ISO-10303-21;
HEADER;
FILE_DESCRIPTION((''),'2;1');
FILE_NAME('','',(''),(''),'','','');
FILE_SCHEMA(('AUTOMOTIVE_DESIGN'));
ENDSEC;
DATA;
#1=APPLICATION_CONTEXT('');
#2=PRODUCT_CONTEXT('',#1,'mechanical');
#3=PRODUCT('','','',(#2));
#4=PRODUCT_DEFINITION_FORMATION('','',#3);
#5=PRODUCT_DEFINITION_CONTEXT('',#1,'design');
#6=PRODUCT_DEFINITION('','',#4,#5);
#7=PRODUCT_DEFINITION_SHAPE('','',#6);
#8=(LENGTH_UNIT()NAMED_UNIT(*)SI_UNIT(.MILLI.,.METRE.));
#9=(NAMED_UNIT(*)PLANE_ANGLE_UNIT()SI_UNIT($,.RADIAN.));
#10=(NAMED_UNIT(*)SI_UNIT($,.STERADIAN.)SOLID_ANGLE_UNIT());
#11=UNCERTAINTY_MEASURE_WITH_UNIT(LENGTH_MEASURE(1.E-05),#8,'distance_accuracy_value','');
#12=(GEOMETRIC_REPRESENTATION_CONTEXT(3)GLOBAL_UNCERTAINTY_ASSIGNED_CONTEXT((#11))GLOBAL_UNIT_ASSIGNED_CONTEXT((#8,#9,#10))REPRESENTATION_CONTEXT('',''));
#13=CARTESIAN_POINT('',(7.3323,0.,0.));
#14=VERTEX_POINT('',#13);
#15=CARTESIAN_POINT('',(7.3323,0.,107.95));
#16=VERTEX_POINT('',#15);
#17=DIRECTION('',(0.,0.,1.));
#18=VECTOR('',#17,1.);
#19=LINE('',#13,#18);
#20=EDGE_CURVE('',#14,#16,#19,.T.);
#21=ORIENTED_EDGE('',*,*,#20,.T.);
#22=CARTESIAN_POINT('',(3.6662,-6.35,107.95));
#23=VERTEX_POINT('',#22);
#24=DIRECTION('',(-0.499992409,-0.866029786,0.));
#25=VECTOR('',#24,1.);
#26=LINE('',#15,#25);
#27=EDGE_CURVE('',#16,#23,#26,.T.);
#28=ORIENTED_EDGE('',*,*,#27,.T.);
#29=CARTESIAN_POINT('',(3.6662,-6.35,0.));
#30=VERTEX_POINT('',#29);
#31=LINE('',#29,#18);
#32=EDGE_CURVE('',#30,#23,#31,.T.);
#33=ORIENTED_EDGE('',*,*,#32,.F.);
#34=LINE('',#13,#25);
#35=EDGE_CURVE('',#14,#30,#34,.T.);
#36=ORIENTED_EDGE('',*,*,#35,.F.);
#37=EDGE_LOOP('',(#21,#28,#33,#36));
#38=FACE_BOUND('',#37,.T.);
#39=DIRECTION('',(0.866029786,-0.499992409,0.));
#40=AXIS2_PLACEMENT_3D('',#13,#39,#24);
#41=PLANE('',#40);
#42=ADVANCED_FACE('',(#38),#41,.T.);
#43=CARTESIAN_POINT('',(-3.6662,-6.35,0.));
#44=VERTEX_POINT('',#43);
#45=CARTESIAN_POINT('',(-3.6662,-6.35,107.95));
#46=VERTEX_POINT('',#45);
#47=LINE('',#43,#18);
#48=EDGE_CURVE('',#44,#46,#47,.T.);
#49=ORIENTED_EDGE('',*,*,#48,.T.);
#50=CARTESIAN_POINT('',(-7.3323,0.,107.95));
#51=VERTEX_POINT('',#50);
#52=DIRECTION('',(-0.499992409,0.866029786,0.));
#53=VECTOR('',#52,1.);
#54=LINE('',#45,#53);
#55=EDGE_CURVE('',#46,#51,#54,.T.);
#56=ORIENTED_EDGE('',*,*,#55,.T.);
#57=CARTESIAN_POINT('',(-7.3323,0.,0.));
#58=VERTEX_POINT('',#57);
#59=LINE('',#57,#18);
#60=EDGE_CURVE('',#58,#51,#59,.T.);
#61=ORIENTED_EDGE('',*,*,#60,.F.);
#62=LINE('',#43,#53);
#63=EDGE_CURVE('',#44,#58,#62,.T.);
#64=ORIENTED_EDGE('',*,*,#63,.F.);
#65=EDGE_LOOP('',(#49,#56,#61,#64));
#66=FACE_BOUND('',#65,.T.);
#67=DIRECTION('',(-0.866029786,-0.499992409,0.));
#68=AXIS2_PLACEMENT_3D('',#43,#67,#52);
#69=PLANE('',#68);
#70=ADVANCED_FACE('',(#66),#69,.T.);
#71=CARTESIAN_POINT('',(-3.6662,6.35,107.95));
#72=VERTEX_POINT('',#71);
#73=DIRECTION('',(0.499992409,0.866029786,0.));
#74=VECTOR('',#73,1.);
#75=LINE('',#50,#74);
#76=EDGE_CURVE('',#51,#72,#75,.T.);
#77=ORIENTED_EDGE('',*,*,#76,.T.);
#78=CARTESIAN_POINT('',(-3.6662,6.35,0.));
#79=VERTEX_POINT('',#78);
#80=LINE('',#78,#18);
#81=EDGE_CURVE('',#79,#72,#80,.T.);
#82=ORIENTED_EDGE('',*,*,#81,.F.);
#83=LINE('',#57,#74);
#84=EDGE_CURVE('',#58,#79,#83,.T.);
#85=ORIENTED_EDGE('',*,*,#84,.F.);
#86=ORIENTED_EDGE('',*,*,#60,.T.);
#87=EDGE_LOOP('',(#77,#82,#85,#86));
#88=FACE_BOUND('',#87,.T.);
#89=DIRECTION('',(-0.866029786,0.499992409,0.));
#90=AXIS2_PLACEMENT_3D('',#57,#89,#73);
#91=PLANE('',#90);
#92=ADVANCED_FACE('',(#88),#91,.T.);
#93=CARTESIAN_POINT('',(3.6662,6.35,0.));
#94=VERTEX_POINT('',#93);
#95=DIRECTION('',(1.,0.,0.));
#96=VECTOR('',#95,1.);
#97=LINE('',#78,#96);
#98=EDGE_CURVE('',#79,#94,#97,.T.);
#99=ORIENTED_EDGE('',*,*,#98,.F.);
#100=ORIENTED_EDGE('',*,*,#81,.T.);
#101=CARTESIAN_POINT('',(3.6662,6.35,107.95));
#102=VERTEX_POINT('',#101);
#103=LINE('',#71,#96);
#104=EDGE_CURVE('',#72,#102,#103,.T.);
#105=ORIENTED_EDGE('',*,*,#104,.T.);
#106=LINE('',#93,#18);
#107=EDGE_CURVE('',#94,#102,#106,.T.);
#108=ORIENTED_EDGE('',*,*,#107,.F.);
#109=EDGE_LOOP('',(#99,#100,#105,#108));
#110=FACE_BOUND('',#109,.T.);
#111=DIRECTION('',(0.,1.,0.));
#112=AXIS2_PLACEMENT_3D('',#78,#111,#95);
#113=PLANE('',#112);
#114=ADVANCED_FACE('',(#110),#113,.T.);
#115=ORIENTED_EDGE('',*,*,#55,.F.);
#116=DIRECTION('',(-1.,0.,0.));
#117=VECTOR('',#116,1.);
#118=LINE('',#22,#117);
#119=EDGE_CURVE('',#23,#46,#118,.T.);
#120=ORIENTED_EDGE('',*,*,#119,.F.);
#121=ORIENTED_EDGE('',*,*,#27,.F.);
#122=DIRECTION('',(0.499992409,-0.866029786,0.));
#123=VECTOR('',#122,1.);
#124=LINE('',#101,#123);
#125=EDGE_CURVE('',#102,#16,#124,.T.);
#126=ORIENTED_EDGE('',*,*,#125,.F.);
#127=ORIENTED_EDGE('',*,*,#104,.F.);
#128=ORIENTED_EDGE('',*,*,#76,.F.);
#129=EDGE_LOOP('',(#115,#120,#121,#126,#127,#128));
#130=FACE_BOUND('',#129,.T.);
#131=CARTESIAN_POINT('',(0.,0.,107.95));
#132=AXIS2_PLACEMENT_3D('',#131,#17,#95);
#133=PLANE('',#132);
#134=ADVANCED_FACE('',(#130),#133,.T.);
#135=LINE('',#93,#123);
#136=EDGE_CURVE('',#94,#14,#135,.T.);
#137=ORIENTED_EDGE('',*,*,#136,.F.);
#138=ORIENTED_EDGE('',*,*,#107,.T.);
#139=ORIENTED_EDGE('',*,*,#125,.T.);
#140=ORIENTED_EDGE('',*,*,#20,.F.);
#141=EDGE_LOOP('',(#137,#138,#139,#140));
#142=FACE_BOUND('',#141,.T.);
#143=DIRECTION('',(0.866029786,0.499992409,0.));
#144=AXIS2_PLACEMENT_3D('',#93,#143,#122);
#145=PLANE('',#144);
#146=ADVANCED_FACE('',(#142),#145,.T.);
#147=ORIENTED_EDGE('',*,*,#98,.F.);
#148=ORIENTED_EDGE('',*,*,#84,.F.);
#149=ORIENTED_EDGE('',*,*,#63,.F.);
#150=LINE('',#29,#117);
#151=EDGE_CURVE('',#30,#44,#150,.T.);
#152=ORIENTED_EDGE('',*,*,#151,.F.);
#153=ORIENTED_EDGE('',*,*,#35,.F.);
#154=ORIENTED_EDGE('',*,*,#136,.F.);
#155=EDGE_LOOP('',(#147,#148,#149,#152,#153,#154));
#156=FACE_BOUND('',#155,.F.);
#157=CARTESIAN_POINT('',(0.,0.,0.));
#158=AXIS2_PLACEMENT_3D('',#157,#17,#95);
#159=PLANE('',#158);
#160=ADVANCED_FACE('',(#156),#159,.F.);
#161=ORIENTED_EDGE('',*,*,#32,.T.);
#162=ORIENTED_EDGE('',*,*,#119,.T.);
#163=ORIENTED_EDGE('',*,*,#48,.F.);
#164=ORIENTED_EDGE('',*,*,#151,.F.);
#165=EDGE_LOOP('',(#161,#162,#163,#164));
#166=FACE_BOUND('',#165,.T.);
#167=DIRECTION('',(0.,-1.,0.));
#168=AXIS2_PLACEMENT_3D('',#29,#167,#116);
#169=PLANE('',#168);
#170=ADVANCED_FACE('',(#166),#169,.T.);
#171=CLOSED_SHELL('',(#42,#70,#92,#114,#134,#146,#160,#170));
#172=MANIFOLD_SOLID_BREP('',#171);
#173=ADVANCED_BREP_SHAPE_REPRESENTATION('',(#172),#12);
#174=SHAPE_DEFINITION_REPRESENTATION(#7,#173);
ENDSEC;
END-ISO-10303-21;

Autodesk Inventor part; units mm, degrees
ref_plane "YZ Plane" through (0, 0, 0) normal (1, 0, 0) x (0, 1, 0)
ref_plane "XZ Plane" through (0, 0, 0) normal (0, 1, 0) x (-1, 0, 0)
ref_plane "XY Plane" through (0, 0, 0) normal (0, 0, 1) x (1, 0, 0)
sketch "Sketch1" plane through (0, 0, 0) normal (0, 0, 1) x (1, 0, 0)
  line L0 (3.6662, 6.35) -> (7.3323, 0)
  line L1 (7.3323, 0) -> (3.6662, -6.35)
  line L2 (3.6662, -6.35) -> (-3.6662, -6.35)
  line L3 (-3.6662, -6.35) -> (-7.3323, 0)
  line L4 (-7.3323, 0) -> (-3.6662, 6.35)
  line L5 (-3.6662, 6.35) -> (3.6662, 6.35)
  point P0 (0, 0)
  point P1 (0, 0)
  point P2 (0, 6.35)
extrude "Extrusion1" add sketch "Sketch1" along normal blind 107.95
sketch "Sketch2" plane through (0, 0, 107.95) normal (0, 0, 1) x (1, 0, 0)
  line L0 (7.3323, 0) -> (3.6662, -6.35) projected
  line L1 (3.6662, 6.35) -> (7.3323, 0) projected
  line L2 (-3.6662, 6.35) -> (3.6662, 6.35) projected
  line L3 (-7.3323, 0) -> (-3.6662, 6.35) projected
  line L4 (-3.6662, -6.35) -> (-7.3323, 0) projected
  line L5 (3.6662, -6.35) -> (-3.6662, -6.35) projected
  circle A0 centre (0, 0) radius 7.3323
sketch "Sketch3" plane through (0, 0, 0) normal (0, 0, -1) x (-1, 0, 0)
  line L0 (-3.6662, 6.35) -> (-7.3323, 0) projected
  line L1 (-7.3323, 0) -> (-3.6662, -6.35) projected
  line L2 (-3.6662, -6.35) -> (3.6662, -6.35) projected
  line L3 (3.6662, -6.35) -> (7.3323, 0) projected
  line L4 (7.3323, 0) -> (3.6662, 6.35) projected
  line L5 (3.6662, 6.35) -> (-3.6662, 6.35) projected
  circle A0 centre (0, 0) radius 7.3323
properties part number "Axle"
